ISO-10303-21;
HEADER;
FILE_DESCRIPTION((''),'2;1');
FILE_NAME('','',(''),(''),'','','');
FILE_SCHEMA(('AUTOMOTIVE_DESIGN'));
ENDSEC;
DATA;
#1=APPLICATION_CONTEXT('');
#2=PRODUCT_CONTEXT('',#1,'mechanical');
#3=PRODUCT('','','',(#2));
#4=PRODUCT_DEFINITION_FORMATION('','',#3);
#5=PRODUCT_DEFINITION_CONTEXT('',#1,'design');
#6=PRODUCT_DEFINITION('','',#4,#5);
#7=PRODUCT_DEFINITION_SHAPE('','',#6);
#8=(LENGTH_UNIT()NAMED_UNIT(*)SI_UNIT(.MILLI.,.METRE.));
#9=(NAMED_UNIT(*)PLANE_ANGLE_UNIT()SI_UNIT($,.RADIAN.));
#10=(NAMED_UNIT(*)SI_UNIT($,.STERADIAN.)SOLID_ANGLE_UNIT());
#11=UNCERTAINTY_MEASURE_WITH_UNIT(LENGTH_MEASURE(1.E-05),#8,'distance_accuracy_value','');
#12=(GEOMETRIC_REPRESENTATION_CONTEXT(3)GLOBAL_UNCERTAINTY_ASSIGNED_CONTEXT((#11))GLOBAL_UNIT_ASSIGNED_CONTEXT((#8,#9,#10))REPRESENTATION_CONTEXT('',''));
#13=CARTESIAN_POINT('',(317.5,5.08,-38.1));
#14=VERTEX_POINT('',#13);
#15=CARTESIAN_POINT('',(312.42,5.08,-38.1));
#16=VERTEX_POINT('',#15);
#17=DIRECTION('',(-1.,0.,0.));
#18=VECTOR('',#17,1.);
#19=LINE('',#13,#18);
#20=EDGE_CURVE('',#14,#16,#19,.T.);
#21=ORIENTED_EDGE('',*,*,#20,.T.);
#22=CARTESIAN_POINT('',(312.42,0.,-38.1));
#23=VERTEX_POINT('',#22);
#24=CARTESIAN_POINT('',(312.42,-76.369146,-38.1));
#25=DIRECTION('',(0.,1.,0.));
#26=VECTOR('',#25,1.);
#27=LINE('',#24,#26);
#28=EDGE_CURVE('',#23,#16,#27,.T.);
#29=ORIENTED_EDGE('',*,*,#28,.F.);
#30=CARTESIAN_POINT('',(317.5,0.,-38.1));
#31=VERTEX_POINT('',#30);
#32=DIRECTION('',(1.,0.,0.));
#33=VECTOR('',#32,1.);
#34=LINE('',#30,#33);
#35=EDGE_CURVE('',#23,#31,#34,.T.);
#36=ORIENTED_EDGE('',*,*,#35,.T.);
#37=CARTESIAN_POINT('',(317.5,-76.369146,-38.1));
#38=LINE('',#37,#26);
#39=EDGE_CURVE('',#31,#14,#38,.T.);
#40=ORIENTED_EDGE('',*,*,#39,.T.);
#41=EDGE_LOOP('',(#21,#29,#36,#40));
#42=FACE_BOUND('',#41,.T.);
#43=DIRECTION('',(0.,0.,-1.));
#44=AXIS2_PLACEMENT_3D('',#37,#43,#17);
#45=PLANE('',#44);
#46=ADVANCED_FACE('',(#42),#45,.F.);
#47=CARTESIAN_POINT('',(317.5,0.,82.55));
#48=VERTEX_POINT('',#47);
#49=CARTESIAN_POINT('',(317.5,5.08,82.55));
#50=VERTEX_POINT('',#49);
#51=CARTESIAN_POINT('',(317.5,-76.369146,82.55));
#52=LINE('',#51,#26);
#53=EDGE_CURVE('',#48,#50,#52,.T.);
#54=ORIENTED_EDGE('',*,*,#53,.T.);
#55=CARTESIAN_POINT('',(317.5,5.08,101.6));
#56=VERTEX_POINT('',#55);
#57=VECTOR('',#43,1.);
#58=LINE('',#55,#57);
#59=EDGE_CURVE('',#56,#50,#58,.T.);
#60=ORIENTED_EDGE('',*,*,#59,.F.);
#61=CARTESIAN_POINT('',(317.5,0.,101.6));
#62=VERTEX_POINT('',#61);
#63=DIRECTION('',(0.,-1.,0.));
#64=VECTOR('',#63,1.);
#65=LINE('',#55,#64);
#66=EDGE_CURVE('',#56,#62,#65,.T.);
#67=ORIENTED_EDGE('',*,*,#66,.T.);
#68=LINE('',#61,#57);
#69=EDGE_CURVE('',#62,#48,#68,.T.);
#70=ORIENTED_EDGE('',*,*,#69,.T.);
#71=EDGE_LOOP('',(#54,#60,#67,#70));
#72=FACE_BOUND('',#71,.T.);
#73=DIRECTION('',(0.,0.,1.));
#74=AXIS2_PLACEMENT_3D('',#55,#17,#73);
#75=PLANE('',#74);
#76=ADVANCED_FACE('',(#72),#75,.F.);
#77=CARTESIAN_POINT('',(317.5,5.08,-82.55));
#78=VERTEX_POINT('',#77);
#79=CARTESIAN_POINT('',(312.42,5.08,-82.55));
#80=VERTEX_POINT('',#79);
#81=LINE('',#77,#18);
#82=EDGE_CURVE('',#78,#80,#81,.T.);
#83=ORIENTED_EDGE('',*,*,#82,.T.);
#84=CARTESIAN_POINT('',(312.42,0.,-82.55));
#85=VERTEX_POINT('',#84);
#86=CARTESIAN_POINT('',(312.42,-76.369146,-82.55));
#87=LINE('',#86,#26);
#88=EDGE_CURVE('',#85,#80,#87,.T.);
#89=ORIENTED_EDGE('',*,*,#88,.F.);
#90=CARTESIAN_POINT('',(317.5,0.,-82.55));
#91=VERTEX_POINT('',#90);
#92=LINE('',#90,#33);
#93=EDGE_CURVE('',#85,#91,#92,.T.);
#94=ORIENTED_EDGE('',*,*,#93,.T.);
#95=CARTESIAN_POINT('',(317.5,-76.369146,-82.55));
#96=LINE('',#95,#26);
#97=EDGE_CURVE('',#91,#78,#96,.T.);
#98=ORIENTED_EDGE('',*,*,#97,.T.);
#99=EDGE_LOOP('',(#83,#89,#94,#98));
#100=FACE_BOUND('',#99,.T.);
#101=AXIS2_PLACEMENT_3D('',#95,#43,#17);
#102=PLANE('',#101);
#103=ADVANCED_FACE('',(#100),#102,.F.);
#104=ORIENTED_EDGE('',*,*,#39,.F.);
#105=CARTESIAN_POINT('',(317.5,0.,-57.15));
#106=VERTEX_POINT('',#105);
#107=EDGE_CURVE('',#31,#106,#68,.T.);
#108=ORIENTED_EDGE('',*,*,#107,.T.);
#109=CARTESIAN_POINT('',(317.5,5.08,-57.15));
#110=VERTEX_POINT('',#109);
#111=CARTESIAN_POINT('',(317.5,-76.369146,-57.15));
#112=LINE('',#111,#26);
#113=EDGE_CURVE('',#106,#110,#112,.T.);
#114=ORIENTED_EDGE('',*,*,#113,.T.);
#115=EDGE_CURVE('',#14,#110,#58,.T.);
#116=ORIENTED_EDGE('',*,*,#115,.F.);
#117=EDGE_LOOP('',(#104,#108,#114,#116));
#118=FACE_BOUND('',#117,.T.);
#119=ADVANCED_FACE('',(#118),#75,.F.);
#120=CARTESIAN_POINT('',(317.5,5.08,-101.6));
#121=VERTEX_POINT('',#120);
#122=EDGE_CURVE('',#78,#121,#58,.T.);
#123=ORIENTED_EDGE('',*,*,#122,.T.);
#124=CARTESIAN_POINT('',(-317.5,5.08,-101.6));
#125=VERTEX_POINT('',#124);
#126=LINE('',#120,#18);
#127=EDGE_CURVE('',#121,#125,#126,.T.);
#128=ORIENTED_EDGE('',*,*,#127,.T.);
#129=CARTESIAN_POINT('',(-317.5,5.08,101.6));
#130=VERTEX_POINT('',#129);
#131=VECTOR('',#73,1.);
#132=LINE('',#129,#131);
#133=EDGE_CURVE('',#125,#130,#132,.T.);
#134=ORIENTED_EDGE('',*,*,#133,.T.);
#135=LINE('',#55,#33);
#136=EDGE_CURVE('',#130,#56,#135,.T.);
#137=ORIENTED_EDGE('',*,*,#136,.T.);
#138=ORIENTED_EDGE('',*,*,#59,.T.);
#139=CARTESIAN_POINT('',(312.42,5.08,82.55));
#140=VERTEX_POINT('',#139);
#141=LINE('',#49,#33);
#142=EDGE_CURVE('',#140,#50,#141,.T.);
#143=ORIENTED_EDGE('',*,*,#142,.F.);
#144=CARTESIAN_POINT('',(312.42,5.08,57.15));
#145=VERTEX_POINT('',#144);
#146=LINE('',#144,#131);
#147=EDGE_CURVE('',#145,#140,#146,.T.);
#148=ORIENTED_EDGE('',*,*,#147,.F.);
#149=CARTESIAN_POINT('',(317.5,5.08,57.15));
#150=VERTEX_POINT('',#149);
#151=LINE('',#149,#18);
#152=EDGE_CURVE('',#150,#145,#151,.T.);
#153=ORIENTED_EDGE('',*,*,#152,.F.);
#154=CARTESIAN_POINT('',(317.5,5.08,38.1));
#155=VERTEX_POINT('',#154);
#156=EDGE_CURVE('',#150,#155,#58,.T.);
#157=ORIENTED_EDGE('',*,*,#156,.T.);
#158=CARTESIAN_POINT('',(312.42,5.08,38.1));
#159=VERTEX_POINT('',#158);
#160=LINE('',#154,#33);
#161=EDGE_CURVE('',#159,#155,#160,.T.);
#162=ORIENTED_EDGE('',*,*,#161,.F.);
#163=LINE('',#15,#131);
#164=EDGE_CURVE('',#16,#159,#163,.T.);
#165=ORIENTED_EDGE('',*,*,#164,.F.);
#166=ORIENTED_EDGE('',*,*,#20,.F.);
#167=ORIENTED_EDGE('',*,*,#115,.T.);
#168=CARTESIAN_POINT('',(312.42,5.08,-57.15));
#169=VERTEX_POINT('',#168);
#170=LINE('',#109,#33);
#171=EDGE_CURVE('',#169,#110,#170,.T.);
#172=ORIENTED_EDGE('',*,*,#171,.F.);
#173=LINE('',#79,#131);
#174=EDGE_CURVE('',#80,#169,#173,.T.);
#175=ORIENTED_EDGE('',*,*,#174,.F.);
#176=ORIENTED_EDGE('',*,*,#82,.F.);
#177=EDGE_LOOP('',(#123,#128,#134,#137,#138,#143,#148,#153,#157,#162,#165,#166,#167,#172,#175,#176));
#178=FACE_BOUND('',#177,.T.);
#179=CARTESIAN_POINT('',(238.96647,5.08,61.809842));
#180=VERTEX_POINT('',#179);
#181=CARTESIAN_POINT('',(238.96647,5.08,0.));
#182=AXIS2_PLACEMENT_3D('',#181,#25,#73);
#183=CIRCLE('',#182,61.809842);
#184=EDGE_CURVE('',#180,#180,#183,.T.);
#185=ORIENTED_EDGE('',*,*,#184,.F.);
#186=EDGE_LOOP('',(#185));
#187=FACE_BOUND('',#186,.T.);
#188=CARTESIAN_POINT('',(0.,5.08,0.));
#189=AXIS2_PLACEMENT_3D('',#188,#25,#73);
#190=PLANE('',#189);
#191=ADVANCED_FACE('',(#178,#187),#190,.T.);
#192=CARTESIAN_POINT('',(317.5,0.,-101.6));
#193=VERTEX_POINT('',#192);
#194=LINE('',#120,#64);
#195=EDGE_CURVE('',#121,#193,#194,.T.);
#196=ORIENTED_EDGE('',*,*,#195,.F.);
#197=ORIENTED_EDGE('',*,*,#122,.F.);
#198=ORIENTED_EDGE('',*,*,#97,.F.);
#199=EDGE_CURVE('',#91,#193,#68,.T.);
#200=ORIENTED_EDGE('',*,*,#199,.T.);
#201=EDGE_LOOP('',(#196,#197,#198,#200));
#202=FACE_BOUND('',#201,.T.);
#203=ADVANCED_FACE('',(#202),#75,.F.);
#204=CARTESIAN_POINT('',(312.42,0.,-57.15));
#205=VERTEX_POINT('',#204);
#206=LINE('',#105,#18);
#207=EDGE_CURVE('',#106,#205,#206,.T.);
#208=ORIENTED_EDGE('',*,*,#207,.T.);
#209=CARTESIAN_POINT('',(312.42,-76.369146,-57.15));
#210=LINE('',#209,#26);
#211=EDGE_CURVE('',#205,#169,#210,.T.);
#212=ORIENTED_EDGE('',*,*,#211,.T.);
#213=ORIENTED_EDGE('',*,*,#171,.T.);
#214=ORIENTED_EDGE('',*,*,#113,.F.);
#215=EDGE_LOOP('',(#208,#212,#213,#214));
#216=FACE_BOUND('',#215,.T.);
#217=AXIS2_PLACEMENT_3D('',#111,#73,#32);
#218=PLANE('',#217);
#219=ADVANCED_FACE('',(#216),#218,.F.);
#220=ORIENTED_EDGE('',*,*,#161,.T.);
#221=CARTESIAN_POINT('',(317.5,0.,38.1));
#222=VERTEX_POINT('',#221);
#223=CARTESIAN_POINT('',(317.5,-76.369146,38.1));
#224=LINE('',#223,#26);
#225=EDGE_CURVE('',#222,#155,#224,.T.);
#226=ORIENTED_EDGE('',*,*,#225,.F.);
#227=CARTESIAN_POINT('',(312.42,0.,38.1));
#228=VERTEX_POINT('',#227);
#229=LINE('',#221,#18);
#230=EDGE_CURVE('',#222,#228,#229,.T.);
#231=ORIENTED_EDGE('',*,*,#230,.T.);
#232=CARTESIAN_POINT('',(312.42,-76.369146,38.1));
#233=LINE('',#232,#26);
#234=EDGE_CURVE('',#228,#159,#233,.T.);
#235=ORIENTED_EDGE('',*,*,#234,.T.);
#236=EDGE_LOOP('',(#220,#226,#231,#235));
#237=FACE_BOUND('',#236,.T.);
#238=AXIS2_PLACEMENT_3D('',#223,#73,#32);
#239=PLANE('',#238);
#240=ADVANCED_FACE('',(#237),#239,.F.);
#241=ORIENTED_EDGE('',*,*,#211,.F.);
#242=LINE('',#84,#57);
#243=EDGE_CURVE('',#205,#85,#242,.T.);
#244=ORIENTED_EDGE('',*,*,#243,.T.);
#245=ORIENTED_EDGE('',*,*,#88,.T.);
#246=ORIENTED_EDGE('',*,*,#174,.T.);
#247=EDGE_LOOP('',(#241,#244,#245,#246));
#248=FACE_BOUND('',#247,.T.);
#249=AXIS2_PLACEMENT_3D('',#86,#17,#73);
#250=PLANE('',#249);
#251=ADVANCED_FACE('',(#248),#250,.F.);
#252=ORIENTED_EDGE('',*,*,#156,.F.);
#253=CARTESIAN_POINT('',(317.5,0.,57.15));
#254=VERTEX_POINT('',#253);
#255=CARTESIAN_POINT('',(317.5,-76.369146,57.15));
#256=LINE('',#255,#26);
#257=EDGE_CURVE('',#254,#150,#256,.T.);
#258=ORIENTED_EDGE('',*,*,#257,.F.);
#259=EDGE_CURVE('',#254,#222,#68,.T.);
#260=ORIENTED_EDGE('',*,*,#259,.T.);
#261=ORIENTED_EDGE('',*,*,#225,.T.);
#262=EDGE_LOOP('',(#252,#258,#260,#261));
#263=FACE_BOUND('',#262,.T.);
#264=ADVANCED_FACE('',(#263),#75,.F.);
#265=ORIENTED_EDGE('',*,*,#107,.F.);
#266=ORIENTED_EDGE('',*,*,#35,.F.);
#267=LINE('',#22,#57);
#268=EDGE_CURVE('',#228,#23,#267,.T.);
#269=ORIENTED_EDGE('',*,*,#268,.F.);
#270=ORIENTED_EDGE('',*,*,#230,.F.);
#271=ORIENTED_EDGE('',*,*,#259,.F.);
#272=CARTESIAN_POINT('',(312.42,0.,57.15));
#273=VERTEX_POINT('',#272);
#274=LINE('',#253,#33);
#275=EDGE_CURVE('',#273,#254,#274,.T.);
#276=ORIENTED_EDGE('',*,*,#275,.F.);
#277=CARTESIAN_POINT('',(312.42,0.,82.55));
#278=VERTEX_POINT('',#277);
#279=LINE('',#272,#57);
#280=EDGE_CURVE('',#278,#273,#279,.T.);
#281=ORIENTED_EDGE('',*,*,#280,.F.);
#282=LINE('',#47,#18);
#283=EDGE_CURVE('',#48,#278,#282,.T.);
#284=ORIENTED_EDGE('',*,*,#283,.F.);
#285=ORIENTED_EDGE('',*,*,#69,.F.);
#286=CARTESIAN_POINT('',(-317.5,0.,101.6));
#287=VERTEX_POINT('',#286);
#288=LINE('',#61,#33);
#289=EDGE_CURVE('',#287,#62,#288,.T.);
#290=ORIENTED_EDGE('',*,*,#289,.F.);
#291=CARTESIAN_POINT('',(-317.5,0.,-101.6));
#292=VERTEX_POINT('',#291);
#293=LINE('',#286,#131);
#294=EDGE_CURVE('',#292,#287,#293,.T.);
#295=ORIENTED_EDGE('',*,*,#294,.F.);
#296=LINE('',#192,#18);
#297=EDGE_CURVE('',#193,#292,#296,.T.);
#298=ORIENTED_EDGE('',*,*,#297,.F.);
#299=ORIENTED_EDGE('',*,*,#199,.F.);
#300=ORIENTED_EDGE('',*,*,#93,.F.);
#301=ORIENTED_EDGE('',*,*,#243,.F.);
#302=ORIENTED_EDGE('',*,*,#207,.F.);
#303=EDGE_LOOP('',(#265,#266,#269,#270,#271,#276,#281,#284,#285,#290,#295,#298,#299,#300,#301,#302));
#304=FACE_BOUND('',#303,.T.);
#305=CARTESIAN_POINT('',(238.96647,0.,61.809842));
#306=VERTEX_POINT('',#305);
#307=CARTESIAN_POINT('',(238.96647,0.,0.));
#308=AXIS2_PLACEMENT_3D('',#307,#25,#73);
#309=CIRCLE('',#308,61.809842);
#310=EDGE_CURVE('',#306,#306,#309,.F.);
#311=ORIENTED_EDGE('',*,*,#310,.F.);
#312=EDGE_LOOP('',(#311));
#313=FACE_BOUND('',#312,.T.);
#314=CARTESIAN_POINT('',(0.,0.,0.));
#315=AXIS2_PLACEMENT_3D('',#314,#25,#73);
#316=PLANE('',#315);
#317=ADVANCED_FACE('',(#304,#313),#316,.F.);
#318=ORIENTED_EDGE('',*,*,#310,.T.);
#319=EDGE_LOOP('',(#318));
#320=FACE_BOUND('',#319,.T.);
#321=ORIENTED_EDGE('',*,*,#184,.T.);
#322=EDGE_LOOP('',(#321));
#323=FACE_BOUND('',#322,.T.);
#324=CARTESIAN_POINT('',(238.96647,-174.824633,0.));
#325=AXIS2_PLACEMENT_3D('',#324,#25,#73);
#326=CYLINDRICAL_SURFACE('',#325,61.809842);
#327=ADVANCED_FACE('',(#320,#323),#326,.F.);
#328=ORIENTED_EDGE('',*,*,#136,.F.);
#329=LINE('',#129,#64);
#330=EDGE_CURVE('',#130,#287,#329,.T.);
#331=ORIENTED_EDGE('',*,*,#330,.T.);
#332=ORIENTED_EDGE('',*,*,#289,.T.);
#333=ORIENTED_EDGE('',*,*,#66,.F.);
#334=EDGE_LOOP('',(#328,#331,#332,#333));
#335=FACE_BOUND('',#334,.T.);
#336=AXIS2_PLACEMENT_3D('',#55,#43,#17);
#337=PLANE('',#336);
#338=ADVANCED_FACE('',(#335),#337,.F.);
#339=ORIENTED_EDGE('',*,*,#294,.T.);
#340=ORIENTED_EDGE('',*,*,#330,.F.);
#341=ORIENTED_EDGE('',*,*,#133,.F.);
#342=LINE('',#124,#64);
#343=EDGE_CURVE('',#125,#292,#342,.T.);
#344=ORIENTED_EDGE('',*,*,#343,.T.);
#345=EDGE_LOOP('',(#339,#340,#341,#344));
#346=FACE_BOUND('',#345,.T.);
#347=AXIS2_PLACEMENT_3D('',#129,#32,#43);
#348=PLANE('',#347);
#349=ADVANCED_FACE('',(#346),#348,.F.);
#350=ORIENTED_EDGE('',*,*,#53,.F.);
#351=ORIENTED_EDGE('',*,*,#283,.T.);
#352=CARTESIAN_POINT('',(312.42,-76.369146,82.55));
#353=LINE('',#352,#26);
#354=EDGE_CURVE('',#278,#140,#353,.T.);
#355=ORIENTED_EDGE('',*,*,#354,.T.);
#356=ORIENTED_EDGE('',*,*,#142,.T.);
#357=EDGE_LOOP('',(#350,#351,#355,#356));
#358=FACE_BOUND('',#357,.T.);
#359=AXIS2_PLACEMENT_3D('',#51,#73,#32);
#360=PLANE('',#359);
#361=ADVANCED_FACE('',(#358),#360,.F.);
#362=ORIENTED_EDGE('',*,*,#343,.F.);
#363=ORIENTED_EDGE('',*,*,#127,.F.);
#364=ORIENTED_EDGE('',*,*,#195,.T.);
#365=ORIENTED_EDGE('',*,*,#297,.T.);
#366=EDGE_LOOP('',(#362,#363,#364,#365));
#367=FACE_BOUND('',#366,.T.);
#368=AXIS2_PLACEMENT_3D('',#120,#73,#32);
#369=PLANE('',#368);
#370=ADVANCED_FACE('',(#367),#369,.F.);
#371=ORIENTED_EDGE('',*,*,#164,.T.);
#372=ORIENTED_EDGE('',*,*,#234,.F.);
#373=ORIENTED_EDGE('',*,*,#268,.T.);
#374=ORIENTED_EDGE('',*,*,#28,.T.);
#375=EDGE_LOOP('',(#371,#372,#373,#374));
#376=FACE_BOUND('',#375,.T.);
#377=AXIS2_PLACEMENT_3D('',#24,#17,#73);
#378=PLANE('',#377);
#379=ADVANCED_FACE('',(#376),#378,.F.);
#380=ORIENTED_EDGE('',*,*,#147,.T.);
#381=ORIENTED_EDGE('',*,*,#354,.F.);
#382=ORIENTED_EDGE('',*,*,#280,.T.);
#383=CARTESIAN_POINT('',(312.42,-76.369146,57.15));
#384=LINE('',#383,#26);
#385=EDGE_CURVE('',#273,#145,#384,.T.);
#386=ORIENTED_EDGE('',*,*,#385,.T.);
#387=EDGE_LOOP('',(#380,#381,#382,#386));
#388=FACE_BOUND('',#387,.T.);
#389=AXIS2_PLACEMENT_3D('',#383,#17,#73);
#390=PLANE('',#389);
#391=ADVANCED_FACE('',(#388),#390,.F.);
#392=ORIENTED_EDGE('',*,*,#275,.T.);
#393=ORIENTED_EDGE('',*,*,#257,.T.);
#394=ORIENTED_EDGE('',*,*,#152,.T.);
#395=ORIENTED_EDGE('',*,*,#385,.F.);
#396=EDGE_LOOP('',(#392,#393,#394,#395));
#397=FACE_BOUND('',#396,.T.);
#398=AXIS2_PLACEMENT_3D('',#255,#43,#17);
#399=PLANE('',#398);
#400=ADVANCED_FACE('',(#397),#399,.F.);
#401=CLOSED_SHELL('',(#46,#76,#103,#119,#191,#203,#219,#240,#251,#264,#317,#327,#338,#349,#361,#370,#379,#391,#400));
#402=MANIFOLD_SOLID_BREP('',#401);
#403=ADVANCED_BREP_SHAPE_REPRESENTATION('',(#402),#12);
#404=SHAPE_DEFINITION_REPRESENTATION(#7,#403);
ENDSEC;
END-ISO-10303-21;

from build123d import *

# Parameters (mm, degrees)
SKETCH1_W           = 635
SKETCH1_H           = 203.2
BOSS_EXTRUDE1_DEPTH = 5.08
SKETCH2_W           = 5.08
SKETCH2_H           = 25.4
SKETCH2_H_2         = 76.2
CUT_EXTRUDE1_DEPTH  = 5.08
SKETCH3_R           = 61.809841791
CUT_EXTRUDE2_DEPTH  = 5.08


with BuildPart() as part:
    # Sketch1 → Boss-Extrude1 (new body)
    with BuildSketch(Plane(origin=(0, 0, 0), x_dir=(1, 0, 0), z_dir=(0, 1, 0))):
        Rectangle(SKETCH1_W, SKETCH1_H)
    extrude(amount=BOSS_EXTRUDE1_DEPTH)

    # Sketch2 → Cut-Extrude1 (cut)
    with BuildSketch(Plane(origin=(0, 5.08, 0), x_dir=(1, 0, 0), z_dir=(0, 1, 0))):
        with Locations((314.96, 69.85)):
            Rectangle(SKETCH2_W, SKETCH2_H)
        with Locations((314.96, -69.85)):
            Rectangle(SKETCH2_W, SKETCH2_H)
        with Locations((314.96, 0)):
            Rectangle(SKETCH2_W, SKETCH2_H_2)
    extrude(amount=-CUT_EXTRUDE1_DEPTH, mode=Mode.SUBTRACT)

    # Sketch3 → Cut-Extrude2 (cut)
    with BuildSketch(Plane(origin=(0, 5.08, 0), x_dir=(1, 0, 0), z_dir=(0, 1, 0))):
        with Locations((238.966470336, 0)):
            Circle(SKETCH3_R)
    extrude(amount=-CUT_EXTRUDE2_DEPTH, mode=Mode.SUBTRACT)


solid = part.part
